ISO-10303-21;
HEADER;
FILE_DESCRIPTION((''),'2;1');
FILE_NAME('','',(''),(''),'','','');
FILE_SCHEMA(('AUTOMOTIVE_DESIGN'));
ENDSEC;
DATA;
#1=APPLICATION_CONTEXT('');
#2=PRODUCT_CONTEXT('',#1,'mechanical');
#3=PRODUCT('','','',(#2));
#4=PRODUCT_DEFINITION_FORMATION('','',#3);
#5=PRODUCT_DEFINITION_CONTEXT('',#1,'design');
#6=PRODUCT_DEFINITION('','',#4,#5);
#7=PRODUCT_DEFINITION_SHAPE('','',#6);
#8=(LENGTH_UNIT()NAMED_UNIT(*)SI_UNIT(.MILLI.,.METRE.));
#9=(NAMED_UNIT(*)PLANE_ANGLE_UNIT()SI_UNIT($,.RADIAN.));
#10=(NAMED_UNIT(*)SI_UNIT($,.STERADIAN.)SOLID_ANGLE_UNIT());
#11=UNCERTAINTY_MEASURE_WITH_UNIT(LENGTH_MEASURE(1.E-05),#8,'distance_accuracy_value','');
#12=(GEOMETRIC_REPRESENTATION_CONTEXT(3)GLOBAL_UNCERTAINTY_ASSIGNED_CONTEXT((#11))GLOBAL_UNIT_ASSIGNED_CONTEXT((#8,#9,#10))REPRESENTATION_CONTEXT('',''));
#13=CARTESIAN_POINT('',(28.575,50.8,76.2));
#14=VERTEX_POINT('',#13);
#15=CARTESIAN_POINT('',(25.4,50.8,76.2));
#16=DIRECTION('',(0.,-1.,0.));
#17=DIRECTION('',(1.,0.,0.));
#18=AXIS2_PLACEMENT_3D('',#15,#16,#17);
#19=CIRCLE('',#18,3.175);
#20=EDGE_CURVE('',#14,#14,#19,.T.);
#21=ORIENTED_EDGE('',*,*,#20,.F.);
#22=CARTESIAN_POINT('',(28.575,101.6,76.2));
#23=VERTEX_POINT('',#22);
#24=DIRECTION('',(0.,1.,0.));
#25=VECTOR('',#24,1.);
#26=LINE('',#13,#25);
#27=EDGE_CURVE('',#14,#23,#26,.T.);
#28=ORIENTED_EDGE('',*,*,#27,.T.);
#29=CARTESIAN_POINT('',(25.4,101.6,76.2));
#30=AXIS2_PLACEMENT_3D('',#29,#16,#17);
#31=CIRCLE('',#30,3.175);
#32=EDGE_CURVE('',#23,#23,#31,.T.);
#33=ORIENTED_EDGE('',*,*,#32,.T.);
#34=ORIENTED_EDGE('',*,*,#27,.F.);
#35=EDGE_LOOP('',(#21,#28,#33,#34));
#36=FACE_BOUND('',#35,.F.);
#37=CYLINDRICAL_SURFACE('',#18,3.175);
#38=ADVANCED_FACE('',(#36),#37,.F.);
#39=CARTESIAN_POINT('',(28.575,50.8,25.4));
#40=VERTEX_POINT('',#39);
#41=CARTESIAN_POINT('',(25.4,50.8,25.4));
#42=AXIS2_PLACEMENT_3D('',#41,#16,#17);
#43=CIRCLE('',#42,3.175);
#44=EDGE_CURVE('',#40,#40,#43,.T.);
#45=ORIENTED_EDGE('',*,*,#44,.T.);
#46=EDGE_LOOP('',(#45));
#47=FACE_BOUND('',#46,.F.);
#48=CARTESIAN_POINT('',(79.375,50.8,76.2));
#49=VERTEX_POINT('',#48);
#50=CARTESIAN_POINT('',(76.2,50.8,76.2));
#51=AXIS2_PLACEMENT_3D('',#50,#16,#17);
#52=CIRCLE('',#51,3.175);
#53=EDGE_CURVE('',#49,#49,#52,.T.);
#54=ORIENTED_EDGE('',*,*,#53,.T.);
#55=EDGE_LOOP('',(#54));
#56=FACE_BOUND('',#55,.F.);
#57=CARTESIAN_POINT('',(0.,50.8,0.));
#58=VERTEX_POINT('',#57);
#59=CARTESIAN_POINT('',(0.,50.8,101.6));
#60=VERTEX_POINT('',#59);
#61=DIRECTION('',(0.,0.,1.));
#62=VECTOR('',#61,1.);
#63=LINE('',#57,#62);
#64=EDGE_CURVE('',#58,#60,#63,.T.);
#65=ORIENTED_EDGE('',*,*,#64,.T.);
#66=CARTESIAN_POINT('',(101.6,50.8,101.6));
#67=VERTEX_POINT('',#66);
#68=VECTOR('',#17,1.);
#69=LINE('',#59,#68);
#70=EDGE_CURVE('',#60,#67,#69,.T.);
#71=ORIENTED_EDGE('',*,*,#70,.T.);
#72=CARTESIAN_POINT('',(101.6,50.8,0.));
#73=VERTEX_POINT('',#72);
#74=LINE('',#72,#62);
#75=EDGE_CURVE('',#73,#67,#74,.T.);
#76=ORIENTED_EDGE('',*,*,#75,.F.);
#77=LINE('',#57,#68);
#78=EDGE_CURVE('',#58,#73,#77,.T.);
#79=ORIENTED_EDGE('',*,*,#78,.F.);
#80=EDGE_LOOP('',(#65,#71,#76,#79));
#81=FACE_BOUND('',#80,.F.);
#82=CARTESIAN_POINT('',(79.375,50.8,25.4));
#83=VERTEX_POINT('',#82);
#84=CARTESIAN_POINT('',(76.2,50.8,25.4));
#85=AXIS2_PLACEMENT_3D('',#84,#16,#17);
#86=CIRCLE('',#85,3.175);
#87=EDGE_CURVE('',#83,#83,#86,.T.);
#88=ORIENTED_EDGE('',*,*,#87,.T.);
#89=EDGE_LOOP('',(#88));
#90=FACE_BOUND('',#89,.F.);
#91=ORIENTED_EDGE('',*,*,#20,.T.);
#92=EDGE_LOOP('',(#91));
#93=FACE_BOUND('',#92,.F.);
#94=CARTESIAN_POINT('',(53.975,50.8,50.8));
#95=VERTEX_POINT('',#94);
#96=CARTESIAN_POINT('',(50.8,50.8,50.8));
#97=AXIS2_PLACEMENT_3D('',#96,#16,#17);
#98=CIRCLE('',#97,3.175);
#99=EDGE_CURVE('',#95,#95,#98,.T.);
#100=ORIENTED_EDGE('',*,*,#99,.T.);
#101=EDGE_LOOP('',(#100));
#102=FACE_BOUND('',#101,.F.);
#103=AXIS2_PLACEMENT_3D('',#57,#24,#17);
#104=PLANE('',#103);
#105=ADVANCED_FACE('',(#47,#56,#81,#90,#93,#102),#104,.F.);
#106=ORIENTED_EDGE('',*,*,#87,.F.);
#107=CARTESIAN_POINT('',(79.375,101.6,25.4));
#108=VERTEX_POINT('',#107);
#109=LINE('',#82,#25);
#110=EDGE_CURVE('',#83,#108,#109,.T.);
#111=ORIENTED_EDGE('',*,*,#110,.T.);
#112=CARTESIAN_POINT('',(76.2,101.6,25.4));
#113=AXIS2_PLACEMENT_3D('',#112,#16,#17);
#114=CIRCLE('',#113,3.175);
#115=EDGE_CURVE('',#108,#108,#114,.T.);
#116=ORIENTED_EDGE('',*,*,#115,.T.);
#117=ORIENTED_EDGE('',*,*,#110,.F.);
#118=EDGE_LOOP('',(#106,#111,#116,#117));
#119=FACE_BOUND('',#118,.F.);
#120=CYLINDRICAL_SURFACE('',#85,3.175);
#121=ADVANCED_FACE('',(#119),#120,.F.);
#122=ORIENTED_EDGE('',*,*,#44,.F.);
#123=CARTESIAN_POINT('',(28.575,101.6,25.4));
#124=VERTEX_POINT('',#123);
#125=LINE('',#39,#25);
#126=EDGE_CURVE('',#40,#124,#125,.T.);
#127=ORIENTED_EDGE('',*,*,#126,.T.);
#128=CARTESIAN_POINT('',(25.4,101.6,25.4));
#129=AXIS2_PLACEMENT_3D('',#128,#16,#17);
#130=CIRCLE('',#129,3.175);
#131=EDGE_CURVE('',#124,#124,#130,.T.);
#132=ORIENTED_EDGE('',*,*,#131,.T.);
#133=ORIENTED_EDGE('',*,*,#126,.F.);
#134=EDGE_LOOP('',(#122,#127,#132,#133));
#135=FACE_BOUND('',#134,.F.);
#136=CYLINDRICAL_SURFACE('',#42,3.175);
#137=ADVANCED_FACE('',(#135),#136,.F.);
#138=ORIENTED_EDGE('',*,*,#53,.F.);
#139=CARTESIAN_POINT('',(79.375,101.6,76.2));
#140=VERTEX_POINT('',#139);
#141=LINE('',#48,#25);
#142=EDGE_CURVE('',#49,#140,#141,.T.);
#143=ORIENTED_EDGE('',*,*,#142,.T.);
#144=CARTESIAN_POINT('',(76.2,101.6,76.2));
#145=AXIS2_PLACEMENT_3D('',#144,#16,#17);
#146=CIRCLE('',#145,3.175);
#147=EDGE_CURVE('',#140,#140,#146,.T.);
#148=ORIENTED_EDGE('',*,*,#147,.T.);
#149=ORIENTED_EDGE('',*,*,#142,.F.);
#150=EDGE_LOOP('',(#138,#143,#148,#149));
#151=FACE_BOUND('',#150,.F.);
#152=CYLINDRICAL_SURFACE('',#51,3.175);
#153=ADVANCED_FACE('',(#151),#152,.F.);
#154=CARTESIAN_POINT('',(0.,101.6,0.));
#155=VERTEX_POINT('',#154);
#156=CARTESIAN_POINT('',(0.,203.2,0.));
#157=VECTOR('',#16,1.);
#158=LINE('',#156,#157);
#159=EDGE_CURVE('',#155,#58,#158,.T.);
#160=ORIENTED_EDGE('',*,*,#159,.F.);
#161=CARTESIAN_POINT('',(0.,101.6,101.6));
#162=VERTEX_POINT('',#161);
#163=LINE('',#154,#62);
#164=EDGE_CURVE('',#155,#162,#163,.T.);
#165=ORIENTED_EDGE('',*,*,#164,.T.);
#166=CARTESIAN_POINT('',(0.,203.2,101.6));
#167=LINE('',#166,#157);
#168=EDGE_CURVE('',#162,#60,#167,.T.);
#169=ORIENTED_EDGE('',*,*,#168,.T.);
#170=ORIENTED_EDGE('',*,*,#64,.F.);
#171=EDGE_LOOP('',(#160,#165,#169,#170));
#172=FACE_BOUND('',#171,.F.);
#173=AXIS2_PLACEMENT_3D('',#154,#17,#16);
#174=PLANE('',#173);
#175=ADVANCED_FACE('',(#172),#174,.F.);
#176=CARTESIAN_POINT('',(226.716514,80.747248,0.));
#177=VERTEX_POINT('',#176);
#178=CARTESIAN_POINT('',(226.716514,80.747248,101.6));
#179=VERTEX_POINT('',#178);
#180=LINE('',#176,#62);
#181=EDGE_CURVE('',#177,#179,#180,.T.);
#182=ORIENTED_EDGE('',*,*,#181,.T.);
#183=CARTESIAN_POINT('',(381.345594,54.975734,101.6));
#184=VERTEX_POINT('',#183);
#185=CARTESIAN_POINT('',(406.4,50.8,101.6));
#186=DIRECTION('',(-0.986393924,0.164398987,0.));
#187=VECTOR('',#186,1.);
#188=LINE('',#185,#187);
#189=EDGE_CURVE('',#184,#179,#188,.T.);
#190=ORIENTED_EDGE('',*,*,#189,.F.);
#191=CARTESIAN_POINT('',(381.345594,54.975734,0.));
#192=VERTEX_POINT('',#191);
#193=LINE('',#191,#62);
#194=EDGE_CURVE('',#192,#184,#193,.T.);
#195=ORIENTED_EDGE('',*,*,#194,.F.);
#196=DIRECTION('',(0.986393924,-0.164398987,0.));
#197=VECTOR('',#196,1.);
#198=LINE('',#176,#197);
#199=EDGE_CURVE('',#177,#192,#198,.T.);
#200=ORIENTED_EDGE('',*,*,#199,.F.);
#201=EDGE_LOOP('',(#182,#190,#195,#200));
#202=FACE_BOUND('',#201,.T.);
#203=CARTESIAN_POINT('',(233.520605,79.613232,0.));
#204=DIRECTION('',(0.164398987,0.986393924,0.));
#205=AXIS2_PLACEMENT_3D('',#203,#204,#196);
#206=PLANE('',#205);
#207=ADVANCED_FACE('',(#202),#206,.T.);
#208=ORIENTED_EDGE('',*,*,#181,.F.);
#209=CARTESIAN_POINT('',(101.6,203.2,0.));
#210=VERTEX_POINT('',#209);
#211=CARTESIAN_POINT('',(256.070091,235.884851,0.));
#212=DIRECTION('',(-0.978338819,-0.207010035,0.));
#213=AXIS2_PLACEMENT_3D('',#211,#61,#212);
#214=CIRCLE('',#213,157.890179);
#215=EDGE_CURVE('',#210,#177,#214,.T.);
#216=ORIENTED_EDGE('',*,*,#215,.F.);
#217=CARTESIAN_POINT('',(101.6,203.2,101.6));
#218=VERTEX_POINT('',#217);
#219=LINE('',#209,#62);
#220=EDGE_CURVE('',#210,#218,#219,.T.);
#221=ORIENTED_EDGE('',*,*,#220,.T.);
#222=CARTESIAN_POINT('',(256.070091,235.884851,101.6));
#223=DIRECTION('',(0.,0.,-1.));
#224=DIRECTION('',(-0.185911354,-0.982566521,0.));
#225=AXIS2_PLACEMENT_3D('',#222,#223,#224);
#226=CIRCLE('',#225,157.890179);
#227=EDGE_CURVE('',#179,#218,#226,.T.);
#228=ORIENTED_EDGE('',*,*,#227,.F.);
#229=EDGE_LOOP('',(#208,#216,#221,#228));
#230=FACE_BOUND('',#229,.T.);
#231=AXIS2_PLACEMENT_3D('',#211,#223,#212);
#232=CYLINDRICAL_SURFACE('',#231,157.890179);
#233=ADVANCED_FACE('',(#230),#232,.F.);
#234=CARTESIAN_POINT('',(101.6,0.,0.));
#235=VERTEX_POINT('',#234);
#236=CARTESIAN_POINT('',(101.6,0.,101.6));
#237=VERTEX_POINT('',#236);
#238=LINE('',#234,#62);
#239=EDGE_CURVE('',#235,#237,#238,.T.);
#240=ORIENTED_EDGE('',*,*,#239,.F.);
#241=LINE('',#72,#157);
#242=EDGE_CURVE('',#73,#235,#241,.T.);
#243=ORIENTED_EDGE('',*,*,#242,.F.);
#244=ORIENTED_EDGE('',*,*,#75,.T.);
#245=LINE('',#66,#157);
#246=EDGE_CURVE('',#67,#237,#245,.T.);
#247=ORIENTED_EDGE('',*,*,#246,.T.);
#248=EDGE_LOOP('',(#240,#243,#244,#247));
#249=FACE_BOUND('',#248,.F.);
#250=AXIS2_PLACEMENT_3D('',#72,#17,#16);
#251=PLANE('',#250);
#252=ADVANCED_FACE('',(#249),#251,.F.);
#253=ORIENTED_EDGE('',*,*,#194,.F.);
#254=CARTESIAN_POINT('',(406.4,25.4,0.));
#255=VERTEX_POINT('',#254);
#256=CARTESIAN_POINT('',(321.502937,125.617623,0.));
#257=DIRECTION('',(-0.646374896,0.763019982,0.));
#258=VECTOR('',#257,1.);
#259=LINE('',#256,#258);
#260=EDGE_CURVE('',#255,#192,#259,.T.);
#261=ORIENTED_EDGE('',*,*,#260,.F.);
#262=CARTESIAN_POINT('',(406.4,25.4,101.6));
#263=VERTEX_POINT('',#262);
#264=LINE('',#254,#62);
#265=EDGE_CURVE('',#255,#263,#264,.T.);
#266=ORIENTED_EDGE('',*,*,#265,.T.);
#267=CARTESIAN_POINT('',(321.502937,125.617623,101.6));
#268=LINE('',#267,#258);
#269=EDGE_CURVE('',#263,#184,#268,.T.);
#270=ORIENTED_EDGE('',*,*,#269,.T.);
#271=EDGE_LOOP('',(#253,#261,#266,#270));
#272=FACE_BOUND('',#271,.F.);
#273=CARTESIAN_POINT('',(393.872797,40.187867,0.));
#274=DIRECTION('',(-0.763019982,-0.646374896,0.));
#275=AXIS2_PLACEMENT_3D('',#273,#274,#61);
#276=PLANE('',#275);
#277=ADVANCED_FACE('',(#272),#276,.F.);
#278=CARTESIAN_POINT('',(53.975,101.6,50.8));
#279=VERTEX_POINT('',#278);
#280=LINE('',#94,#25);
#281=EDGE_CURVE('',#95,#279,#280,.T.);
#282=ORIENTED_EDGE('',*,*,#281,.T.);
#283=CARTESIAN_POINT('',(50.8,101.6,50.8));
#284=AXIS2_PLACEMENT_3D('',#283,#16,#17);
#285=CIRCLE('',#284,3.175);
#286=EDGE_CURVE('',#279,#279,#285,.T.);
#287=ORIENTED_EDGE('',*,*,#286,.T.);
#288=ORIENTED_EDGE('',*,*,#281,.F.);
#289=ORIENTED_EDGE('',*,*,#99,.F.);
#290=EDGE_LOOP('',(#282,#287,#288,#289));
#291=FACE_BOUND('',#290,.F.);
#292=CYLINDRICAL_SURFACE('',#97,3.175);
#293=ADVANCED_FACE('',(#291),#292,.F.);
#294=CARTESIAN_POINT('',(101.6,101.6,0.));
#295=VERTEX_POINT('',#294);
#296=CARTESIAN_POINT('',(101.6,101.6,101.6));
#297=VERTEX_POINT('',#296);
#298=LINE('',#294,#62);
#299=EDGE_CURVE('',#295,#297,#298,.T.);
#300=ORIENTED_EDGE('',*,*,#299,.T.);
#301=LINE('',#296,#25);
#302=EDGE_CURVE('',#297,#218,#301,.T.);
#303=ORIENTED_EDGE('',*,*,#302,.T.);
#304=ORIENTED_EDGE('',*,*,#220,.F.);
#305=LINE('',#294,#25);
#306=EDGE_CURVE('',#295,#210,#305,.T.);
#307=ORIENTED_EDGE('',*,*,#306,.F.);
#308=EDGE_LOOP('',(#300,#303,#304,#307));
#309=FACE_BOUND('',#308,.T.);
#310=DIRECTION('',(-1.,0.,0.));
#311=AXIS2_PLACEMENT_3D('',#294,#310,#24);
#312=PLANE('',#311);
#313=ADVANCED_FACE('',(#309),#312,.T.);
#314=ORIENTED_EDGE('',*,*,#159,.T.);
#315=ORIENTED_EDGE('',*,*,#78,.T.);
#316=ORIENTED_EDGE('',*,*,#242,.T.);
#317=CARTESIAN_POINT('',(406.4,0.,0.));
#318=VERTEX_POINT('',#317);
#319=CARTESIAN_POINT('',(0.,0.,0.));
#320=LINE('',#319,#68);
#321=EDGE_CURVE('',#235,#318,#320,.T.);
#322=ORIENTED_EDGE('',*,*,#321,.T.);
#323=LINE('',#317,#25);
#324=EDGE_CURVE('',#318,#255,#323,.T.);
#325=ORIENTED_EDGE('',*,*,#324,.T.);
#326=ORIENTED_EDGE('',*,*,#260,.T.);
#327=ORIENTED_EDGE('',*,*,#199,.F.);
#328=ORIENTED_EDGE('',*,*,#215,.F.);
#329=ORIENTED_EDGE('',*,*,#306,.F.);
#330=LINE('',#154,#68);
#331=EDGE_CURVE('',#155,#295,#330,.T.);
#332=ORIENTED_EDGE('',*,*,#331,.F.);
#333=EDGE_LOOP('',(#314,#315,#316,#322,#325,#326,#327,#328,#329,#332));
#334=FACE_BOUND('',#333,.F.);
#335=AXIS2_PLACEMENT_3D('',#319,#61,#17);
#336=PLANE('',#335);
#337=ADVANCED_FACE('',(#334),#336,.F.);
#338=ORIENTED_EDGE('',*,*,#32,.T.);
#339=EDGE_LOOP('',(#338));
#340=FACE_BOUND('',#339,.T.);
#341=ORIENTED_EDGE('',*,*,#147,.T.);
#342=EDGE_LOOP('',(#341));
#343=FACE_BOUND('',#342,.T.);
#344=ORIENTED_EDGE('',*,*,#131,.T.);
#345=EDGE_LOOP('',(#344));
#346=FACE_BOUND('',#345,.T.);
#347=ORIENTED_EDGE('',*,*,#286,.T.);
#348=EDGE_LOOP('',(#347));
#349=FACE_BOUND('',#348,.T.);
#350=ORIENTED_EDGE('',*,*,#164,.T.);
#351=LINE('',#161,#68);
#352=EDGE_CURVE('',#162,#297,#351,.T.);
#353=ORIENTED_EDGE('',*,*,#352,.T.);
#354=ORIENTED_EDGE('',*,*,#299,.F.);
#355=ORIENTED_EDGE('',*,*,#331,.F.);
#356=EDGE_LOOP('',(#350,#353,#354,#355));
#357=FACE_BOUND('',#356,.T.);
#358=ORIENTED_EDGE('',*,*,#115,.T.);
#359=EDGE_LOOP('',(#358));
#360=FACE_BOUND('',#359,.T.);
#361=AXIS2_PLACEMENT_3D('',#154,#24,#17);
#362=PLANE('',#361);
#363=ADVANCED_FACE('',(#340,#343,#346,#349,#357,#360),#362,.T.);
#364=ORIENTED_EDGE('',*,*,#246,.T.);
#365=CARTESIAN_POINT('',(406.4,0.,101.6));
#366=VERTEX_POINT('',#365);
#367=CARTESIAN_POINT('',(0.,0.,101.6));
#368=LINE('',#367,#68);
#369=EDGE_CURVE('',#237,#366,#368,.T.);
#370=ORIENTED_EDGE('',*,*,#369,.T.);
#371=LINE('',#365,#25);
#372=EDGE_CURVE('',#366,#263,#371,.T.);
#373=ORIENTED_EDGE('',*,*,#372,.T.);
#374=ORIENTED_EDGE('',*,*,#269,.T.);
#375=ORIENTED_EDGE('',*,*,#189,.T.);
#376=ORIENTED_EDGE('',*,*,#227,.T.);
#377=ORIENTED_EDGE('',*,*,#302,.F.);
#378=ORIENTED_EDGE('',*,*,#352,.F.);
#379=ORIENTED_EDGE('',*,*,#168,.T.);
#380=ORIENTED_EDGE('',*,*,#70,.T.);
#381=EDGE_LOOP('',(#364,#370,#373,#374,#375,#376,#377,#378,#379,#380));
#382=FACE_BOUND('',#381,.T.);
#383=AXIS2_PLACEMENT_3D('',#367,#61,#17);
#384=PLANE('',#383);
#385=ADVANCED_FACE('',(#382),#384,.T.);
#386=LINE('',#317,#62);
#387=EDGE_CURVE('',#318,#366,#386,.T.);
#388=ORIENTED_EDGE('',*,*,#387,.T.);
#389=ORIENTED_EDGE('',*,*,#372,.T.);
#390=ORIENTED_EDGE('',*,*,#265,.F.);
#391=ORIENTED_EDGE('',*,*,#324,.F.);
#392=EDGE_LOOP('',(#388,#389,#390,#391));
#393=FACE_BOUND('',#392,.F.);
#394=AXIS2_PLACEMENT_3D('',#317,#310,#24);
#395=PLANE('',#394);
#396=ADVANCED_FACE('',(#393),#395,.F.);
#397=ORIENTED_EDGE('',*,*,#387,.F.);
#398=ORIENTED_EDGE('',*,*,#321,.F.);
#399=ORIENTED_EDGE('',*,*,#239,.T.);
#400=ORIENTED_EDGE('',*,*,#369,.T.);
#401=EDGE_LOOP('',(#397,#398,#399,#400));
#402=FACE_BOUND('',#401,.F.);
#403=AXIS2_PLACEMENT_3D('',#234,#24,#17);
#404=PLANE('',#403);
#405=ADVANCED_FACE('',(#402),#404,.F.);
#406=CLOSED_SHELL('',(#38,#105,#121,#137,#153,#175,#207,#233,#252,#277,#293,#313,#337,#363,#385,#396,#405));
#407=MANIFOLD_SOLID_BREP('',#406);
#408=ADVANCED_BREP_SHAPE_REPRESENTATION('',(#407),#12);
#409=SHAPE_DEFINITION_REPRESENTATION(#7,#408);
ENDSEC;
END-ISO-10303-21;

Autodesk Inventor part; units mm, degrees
ref_plane "YZ Plane" through (0, 0, 0) normal (1, 0, 0) x (0, 1, 0)
ref_plane "XZ Plane" through (0, 0, 0) normal (0, 1, 0) x (-1, 0, 0)
ref_plane "XY Plane" through (0, 0, 0) normal (0, 0, 1) x (1, 0, 0)
sketch "Sketch1" plane through (0, 0, 0) normal (0, 0, 1) x (1, 0, 0)
  line L0 (0, 0) -> (406.4, 0)
  line L1 (406.4, 0) -> (406.4, 203.2)
  line L2 (406.4, 203.2) -> (0, 203.2)
  line L3 (0, 203.2) -> (0, 0)
  line L4 (0, 101.6) -> (664.7751, 101.6)
  line L5 (101.6, 101.6) -> (406.4, 50.8)
  line L6 (0, 50.8) -> (101.6, 50.8)
  line L7 (101.6, 50.8) -> (101.6, 0)
  line L8 (101.6, 101.6) -> (101.6, 203.2)
  arc A0 (101.6, 203.2) -> (233.5206, 79.6132) centre (256.07, 235.8848) ccw
  point P0 (226.7178, 80.747)
  dimension "d0" = 406.4
  dimension "d1" = 203.2
  dimension "d2" = 101.6
  dimension "d3" = 50.8
  dimension "d26" = 101.6
extrude "Extrusion1" add sketch "Sketch1" along normal blind 101.6 contours L7 L6 L3 L4 L5 A0 L1 L0 | L8 A0 L4 | L4 A0 L5 | A0 L5
chamfer "Chamfer1" distance 25.4 angle 45 1 edges at (406.4, 50.8, 50.8)
sketch "Sketch2" plane through (0, 50.8, 0) normal (0, -1, 0) x (1, 0, 0)
  circle A0 centre (25.4, 76.2) radius 3.175
  circle A1 centre (76.2, 76.2) radius 3.175
  circle A2 centre (76.2, 25.4) radius 3.175
  circle A3 centre (50.8, 50.8) radius 3.175
  circle A4 centre (25.4, 25.4) radius 3.175
  line L0 (0, 101.6) -> (101.6, 101.6) projected
  line L1 (0, 0) -> (0, 101.6) projected
  line L2 (101.6, 0) -> (101.6, 101.6) projected
  line L3 (0, 0) -> (101.6, 0) projected
  dimension "d9" = 6.35
  dimension "d10" = 6.35
  dimension "d11" = 6.35
  dimension "d12" = 6.35
  dimension "d13" = 6.35
  dimension "d14" = 25.4
  dimension "d15" = 25.4
  dimension "d16" = 25.4
  dimension "d17" = 25.4
  dimension "d18" = 25.4
  dimension "d19" = 25.4
  dimension "d20" = 25.4
  dimension "d21" = 25.4
  dimension "d22" = 50.8
  dimension "d23" = 50.8
extrude "Extrusion2" cut sketch "Sketch2" against normal blind 101.6 contours A0 | A1 | A2 | A3 | A4
properties part number "Table foot X4"
